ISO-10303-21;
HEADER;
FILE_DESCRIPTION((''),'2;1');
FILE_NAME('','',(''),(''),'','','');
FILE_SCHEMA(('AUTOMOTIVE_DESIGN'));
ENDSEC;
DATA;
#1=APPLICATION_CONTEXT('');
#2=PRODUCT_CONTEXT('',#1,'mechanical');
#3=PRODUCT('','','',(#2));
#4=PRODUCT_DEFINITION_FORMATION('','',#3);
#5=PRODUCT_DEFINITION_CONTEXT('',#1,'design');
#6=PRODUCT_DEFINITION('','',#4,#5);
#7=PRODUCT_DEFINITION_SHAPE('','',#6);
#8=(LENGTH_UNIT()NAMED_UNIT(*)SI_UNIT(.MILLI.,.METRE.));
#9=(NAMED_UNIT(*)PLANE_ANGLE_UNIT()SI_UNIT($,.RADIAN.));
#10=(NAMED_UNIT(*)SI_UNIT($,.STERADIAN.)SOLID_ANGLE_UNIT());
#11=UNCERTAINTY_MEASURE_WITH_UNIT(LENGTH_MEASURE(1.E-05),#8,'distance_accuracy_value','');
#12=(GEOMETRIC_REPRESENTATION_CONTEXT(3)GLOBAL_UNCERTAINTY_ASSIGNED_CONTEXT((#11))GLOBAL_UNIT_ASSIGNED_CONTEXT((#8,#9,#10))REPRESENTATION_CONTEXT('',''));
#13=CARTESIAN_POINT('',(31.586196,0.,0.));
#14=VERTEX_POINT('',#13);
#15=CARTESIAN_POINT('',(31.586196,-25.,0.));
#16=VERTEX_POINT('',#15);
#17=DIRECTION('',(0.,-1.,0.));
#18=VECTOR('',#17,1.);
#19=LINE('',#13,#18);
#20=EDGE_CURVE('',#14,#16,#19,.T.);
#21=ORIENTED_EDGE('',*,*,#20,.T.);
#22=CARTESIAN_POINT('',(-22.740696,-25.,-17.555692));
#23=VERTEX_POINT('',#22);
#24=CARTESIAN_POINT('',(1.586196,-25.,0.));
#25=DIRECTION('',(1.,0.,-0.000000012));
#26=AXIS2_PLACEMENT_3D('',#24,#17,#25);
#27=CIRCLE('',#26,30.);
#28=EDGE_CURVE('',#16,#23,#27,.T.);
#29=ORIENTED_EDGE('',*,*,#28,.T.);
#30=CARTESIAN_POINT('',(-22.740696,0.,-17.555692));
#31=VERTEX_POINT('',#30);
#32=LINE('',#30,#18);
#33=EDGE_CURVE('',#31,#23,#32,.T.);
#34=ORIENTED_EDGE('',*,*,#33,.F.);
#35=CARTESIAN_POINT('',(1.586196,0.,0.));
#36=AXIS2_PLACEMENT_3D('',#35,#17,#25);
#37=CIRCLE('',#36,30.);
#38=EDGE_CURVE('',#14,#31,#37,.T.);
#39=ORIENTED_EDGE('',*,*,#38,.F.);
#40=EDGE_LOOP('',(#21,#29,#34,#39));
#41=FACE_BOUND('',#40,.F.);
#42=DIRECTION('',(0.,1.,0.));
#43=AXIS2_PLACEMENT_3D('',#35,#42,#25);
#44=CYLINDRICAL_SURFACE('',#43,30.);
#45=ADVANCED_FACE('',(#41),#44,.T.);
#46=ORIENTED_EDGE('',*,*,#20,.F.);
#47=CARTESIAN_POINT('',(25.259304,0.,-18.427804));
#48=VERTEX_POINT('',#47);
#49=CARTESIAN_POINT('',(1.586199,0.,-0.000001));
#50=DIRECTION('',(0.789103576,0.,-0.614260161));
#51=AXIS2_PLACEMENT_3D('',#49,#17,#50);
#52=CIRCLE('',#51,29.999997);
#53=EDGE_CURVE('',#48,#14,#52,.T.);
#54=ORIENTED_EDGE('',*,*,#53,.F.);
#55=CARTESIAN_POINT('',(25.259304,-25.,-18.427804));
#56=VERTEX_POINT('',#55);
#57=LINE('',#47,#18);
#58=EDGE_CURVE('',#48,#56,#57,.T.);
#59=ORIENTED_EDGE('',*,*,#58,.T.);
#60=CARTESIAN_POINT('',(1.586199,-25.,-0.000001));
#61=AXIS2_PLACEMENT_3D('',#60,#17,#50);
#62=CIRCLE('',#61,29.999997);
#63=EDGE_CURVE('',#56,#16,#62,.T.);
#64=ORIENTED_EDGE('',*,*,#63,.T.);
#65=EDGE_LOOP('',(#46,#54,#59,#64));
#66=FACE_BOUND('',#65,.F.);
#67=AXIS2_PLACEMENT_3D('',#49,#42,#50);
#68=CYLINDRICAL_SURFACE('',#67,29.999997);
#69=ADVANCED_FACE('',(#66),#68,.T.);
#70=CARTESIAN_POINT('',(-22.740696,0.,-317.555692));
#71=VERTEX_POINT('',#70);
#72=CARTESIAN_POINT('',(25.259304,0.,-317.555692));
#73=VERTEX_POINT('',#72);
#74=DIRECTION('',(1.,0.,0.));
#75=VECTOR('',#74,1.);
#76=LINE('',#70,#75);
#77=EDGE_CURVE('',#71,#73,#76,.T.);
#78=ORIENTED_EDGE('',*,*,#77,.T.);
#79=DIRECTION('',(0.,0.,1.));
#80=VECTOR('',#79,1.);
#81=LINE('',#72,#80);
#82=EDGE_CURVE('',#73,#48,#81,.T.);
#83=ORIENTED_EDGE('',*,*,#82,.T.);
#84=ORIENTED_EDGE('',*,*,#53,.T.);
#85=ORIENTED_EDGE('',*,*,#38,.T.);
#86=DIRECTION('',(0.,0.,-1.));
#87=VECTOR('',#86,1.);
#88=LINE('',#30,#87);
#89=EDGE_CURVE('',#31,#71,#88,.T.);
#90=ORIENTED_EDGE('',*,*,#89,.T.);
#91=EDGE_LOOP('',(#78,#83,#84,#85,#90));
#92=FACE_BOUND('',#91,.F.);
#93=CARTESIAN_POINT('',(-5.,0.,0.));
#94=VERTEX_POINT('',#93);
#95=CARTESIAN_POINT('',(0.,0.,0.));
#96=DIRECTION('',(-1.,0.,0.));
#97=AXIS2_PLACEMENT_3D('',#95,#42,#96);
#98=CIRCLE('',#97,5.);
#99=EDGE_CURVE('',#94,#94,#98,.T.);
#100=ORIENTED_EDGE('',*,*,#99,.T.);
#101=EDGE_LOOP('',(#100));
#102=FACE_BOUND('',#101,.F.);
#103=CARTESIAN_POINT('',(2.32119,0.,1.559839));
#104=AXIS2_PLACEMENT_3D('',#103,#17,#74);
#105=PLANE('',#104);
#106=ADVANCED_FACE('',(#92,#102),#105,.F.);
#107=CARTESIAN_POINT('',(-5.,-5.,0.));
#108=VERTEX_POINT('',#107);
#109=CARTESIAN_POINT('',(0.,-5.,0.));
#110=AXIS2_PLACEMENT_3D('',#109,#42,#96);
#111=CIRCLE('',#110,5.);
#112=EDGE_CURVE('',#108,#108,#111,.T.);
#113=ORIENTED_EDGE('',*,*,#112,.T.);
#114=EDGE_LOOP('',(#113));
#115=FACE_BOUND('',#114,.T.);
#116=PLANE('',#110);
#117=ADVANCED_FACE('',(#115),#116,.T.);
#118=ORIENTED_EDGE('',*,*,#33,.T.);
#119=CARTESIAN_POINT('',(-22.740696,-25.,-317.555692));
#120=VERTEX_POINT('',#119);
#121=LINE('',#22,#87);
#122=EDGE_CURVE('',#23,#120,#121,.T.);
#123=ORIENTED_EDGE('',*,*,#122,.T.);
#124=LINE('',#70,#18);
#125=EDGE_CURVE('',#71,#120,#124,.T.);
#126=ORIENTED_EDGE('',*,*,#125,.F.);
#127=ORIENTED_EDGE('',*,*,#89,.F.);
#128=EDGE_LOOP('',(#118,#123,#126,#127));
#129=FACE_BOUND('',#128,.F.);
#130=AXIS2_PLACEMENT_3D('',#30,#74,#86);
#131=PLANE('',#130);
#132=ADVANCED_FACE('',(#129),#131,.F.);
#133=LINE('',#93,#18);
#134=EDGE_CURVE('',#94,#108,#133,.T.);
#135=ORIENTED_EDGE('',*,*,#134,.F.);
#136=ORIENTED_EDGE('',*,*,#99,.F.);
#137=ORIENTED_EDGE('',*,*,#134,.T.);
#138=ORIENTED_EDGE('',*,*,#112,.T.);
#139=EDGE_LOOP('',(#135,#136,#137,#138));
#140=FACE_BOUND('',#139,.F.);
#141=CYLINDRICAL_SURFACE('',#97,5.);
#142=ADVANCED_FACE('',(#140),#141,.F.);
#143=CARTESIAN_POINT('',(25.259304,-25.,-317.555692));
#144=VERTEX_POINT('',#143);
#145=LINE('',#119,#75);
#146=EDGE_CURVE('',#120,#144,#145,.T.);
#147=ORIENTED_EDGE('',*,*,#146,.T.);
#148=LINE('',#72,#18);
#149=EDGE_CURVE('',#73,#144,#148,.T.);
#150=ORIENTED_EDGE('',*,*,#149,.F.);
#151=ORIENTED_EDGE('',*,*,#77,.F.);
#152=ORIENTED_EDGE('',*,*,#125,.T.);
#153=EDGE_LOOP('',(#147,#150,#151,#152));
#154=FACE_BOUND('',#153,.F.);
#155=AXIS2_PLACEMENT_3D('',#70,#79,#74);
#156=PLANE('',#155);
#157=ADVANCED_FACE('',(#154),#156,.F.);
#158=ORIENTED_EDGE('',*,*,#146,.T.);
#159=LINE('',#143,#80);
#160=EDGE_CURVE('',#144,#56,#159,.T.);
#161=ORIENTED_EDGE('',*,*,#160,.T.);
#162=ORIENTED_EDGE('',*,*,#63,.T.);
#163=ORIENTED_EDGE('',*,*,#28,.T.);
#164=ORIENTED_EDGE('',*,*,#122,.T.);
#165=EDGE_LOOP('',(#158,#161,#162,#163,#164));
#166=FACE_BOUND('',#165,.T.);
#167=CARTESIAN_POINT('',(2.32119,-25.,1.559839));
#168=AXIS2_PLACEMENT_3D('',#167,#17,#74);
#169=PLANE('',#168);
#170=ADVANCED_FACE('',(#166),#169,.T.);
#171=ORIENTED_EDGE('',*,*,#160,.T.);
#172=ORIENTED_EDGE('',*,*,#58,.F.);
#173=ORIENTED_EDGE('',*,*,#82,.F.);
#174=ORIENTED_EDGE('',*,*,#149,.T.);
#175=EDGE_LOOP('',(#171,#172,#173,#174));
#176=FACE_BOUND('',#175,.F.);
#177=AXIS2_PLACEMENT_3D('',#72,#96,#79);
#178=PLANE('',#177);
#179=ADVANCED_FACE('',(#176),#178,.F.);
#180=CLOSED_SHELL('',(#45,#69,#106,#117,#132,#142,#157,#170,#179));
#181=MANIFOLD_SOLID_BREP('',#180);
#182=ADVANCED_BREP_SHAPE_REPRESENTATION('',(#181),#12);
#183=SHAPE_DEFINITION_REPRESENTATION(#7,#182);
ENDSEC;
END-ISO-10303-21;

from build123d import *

# Parameters (mm, degrees)
F1_DEPTH = 25
F2_R     = 5
F3_DEPTH = 5


with BuildPart() as f1:
    # F0 (on Front) → F1 (new body)
    with BuildSketch(Plane.XZ):
        with BuildLine():
            ThreePointArc((25.259304, -18.427804), (29.960421, -9.741836), (31.586196, 0))
            ThreePointArc((31.586196, 0), (-7.638587, 28.546513), (-22.740696, -17.555692))
            Line((-22.740696, -17.555692), (25.259304, -17.555692))
            Line((25.259304, -17.555692), (25.259304, -18.427804))
        make_face()
        with BuildLine():
            Line((25.259304, -17.555692), (-22.740696, -17.555692))
            ThreePointArc((-22.740696, -17.555692), (1.041216, -29.99505), (25.259304, -18.427804))
            Line((25.259304, -18.427804), (25.259304, -17.555692))
        make_face()
        with BuildLine():
            ThreePointArc((25.259304, -18.427804), (1.041216, -29.99505), (-22.740696, -17.555692))
            Line((-22.740696, -17.555692), (-22.740696, -317.555692))
            Line((-22.740696, -317.555692), (25.259304, -317.555692))
            Line((25.259304, -317.555692), (25.259304, -18.427804))
        make_face()
    extrude(amount=F1_DEPTH)

    # F2 (on face) → F3 (cut)
    with BuildSketch(Plane(origin=(0, 0, 0), x_dir=(-1, 0, 0), z_dir=(0, 1, 0))):
        Circle(F2_R)
    extrude(amount=-F3_DEPTH, mode=Mode.SUBTRACT)


solid = f1.part
